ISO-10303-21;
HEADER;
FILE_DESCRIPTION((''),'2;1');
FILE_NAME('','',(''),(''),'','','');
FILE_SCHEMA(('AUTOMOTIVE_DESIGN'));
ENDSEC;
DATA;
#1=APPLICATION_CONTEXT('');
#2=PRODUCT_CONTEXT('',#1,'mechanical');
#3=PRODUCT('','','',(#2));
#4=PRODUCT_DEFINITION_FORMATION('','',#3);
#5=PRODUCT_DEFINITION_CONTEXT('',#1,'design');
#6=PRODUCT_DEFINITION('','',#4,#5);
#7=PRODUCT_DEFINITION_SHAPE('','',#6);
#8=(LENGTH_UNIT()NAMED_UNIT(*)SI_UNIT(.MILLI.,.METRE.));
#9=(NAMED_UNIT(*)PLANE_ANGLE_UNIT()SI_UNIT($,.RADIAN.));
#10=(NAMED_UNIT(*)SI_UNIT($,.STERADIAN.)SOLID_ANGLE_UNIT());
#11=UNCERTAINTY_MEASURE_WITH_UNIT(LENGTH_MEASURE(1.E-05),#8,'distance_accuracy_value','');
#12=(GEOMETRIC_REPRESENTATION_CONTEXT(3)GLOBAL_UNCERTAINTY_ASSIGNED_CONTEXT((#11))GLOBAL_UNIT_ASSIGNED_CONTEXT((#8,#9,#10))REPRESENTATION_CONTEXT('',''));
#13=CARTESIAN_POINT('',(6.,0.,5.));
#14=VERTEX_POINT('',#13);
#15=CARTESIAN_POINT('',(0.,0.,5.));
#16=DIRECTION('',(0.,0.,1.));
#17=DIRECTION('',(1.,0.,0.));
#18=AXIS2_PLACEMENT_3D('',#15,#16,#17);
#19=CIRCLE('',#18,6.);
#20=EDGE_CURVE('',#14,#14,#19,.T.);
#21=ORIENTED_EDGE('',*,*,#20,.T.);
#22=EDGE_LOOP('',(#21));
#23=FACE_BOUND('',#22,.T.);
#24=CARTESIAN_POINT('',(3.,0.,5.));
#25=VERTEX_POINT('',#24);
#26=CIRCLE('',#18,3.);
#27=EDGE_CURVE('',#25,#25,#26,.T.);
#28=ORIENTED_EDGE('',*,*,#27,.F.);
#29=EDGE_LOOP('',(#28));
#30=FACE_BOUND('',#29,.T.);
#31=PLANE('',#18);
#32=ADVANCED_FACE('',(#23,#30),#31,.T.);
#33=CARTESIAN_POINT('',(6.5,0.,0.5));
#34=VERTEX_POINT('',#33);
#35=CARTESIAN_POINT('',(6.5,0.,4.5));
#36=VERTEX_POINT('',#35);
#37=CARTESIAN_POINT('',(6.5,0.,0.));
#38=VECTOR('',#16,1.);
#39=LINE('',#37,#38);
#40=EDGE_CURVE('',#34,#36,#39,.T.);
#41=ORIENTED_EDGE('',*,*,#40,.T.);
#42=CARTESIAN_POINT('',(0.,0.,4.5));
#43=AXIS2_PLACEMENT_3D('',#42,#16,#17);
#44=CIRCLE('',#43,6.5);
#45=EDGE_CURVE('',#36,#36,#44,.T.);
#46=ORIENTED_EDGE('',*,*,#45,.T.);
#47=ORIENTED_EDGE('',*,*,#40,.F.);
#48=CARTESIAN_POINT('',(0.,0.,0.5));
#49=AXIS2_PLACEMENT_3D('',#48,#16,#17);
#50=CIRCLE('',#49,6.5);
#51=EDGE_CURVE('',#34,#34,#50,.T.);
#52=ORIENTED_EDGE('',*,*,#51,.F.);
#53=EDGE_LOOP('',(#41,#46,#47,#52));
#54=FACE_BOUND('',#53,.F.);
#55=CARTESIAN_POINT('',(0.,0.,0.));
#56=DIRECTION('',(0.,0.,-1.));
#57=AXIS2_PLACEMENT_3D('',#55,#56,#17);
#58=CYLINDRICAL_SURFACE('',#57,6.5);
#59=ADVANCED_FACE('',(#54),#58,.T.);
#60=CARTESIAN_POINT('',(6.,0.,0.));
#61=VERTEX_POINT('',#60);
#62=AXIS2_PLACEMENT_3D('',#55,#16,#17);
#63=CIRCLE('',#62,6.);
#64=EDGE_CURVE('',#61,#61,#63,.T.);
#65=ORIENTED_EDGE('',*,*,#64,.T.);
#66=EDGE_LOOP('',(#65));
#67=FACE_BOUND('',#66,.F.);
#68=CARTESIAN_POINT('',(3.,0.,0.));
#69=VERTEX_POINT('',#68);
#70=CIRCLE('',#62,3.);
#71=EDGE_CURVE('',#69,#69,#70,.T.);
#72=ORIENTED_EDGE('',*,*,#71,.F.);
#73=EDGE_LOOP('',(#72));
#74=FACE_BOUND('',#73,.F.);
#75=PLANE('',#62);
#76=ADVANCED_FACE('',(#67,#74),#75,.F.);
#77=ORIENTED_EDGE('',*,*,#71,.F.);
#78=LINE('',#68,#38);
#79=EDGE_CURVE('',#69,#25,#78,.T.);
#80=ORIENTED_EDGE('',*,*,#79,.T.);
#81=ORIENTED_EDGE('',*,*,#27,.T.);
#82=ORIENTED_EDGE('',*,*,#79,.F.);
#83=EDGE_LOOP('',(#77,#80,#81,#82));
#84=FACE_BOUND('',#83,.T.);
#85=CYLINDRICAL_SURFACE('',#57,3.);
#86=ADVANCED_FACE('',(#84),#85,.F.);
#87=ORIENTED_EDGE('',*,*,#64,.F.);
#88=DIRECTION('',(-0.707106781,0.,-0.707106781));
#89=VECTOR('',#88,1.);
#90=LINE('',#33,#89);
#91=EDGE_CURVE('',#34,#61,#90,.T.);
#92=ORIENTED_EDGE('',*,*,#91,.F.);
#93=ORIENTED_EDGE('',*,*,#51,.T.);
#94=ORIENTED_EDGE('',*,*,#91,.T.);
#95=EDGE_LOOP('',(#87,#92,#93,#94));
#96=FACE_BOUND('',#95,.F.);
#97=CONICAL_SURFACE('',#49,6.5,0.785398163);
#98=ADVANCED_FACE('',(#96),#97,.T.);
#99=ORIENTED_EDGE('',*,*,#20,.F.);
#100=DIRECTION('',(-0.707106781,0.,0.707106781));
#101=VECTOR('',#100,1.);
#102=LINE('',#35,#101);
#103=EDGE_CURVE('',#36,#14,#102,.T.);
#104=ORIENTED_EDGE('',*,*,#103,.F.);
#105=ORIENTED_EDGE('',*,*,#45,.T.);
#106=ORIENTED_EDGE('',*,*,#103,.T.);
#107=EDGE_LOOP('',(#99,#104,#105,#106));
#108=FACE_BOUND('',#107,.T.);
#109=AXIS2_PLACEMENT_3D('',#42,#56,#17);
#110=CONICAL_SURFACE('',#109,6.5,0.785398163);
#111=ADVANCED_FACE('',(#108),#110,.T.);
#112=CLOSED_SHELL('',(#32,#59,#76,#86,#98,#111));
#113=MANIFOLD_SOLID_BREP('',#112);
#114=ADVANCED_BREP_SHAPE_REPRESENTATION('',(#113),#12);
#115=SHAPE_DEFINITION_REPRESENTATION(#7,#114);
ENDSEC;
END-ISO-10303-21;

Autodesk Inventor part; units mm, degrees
ref_plane "YZ Plane" through (0, 0, 0) normal (1, 0, 0) x (0, 1, 0)
ref_plane "XZ Plane" through (0, 0, 0) normal (0, 1, 0) x (-1, 0, 0)
ref_plane "XY Plane" through (0, 0, 0) normal (0, 0, 1) x (1, 0, 0)
sketch "Szkic1" plane through (0, 0, 0) normal (0, 0, 1) x (1, 0, 0)
  circle A0 centre (0, 0) radius 3
  circle A1 centre (0, 0) radius 6.5
  dimension "d0" = 6
  dimension "d1" = 13
extrude "Wyciągnięcie proste1" add sketch "Szkic1" along normal blind 5
chamfer "Faza1" distance 0.5 angle 45 1 edges at (-6.5, 0, 5)
chamfer "Faza2" distance 0.5 angle 45 1 edges at (-6.5, 0, 0)
properties part number "686_bearing" material "Aluminum 6061"
